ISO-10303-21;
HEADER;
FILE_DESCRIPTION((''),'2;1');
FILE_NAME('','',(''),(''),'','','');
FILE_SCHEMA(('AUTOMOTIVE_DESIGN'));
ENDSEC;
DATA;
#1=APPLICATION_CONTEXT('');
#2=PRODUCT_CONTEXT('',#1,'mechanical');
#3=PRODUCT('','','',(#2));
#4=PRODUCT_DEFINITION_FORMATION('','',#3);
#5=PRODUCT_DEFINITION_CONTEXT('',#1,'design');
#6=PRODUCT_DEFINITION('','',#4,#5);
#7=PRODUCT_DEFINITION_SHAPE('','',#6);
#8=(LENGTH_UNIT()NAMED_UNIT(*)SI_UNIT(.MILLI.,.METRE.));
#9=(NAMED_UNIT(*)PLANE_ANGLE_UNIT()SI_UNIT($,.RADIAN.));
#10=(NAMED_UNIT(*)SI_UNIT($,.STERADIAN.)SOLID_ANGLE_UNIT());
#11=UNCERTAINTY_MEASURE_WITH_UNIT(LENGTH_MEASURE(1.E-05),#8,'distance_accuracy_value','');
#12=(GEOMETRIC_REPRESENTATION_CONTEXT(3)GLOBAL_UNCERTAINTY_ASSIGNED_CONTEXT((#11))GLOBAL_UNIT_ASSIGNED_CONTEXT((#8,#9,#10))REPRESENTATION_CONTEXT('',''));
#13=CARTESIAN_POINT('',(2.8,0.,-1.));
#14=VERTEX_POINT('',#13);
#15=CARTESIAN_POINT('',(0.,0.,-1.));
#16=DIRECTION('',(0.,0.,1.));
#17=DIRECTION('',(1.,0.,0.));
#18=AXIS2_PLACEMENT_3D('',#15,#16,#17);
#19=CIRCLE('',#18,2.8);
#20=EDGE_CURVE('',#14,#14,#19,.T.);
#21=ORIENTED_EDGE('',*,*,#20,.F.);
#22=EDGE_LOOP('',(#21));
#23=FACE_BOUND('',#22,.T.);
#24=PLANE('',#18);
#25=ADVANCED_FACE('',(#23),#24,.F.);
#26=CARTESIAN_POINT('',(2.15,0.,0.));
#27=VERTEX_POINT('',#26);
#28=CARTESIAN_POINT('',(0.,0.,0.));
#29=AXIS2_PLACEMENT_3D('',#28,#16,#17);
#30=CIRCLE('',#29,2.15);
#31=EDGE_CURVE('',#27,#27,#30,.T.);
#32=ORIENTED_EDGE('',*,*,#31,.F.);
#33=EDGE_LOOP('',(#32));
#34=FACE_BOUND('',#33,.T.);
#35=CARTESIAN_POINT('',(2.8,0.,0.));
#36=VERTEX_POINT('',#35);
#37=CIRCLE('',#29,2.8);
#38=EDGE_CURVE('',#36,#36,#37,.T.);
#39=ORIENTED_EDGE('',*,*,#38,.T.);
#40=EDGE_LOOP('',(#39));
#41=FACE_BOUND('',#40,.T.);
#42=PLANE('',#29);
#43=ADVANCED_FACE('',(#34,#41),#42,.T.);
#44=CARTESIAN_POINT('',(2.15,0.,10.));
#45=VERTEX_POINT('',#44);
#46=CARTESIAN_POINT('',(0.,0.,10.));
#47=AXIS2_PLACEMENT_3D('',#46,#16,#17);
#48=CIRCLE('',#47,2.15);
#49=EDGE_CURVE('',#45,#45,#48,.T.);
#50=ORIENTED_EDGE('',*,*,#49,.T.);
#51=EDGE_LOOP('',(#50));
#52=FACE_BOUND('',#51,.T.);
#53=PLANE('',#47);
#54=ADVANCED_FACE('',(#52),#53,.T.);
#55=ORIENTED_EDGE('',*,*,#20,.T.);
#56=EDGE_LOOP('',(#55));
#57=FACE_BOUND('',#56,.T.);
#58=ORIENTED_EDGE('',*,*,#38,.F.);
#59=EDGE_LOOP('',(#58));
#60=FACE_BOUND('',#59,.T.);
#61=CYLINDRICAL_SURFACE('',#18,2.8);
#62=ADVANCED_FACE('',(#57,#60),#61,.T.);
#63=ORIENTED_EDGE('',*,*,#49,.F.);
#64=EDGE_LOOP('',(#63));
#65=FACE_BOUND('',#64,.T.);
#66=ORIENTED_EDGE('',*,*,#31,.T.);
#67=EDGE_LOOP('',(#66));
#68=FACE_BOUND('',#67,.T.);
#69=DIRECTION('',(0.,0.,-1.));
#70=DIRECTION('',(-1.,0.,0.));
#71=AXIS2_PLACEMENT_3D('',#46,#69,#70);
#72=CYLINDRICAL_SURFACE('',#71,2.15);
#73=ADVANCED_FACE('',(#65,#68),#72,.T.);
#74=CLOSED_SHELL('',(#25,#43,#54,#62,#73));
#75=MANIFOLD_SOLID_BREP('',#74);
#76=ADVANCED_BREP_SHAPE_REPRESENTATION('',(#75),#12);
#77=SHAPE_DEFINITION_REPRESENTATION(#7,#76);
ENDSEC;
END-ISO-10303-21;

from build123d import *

# Parameters (mm, degrees)
SKIZZE1_R                       = 2.15
AUFSATZ_LINEAR_AUSTRAGEN1_DEPTH = 10
SKIZZE1_3_R                     = 2.8
AUFSATZ_LINEAR_AUSTRAGEN2_DEPTH = 1


with BuildPart() as part:
    # Skizze1 → Aufsatz-Linear austragen1 (new body)
    with BuildSketch(Plane.XY):
        Circle(SKIZZE1_R)
    extrude(amount=AUFSATZ_LINEAR_AUSTRAGEN1_DEPTH)

    # Skizze1<3> → Aufsatz-Linear austragen2 (add)
    with BuildSketch(Plane.XY):
        Circle(SKIZZE1_3_R)
    extrude(amount=-AUFSATZ_LINEAR_AUSTRAGEN2_DEPTH)


solid = part.part
